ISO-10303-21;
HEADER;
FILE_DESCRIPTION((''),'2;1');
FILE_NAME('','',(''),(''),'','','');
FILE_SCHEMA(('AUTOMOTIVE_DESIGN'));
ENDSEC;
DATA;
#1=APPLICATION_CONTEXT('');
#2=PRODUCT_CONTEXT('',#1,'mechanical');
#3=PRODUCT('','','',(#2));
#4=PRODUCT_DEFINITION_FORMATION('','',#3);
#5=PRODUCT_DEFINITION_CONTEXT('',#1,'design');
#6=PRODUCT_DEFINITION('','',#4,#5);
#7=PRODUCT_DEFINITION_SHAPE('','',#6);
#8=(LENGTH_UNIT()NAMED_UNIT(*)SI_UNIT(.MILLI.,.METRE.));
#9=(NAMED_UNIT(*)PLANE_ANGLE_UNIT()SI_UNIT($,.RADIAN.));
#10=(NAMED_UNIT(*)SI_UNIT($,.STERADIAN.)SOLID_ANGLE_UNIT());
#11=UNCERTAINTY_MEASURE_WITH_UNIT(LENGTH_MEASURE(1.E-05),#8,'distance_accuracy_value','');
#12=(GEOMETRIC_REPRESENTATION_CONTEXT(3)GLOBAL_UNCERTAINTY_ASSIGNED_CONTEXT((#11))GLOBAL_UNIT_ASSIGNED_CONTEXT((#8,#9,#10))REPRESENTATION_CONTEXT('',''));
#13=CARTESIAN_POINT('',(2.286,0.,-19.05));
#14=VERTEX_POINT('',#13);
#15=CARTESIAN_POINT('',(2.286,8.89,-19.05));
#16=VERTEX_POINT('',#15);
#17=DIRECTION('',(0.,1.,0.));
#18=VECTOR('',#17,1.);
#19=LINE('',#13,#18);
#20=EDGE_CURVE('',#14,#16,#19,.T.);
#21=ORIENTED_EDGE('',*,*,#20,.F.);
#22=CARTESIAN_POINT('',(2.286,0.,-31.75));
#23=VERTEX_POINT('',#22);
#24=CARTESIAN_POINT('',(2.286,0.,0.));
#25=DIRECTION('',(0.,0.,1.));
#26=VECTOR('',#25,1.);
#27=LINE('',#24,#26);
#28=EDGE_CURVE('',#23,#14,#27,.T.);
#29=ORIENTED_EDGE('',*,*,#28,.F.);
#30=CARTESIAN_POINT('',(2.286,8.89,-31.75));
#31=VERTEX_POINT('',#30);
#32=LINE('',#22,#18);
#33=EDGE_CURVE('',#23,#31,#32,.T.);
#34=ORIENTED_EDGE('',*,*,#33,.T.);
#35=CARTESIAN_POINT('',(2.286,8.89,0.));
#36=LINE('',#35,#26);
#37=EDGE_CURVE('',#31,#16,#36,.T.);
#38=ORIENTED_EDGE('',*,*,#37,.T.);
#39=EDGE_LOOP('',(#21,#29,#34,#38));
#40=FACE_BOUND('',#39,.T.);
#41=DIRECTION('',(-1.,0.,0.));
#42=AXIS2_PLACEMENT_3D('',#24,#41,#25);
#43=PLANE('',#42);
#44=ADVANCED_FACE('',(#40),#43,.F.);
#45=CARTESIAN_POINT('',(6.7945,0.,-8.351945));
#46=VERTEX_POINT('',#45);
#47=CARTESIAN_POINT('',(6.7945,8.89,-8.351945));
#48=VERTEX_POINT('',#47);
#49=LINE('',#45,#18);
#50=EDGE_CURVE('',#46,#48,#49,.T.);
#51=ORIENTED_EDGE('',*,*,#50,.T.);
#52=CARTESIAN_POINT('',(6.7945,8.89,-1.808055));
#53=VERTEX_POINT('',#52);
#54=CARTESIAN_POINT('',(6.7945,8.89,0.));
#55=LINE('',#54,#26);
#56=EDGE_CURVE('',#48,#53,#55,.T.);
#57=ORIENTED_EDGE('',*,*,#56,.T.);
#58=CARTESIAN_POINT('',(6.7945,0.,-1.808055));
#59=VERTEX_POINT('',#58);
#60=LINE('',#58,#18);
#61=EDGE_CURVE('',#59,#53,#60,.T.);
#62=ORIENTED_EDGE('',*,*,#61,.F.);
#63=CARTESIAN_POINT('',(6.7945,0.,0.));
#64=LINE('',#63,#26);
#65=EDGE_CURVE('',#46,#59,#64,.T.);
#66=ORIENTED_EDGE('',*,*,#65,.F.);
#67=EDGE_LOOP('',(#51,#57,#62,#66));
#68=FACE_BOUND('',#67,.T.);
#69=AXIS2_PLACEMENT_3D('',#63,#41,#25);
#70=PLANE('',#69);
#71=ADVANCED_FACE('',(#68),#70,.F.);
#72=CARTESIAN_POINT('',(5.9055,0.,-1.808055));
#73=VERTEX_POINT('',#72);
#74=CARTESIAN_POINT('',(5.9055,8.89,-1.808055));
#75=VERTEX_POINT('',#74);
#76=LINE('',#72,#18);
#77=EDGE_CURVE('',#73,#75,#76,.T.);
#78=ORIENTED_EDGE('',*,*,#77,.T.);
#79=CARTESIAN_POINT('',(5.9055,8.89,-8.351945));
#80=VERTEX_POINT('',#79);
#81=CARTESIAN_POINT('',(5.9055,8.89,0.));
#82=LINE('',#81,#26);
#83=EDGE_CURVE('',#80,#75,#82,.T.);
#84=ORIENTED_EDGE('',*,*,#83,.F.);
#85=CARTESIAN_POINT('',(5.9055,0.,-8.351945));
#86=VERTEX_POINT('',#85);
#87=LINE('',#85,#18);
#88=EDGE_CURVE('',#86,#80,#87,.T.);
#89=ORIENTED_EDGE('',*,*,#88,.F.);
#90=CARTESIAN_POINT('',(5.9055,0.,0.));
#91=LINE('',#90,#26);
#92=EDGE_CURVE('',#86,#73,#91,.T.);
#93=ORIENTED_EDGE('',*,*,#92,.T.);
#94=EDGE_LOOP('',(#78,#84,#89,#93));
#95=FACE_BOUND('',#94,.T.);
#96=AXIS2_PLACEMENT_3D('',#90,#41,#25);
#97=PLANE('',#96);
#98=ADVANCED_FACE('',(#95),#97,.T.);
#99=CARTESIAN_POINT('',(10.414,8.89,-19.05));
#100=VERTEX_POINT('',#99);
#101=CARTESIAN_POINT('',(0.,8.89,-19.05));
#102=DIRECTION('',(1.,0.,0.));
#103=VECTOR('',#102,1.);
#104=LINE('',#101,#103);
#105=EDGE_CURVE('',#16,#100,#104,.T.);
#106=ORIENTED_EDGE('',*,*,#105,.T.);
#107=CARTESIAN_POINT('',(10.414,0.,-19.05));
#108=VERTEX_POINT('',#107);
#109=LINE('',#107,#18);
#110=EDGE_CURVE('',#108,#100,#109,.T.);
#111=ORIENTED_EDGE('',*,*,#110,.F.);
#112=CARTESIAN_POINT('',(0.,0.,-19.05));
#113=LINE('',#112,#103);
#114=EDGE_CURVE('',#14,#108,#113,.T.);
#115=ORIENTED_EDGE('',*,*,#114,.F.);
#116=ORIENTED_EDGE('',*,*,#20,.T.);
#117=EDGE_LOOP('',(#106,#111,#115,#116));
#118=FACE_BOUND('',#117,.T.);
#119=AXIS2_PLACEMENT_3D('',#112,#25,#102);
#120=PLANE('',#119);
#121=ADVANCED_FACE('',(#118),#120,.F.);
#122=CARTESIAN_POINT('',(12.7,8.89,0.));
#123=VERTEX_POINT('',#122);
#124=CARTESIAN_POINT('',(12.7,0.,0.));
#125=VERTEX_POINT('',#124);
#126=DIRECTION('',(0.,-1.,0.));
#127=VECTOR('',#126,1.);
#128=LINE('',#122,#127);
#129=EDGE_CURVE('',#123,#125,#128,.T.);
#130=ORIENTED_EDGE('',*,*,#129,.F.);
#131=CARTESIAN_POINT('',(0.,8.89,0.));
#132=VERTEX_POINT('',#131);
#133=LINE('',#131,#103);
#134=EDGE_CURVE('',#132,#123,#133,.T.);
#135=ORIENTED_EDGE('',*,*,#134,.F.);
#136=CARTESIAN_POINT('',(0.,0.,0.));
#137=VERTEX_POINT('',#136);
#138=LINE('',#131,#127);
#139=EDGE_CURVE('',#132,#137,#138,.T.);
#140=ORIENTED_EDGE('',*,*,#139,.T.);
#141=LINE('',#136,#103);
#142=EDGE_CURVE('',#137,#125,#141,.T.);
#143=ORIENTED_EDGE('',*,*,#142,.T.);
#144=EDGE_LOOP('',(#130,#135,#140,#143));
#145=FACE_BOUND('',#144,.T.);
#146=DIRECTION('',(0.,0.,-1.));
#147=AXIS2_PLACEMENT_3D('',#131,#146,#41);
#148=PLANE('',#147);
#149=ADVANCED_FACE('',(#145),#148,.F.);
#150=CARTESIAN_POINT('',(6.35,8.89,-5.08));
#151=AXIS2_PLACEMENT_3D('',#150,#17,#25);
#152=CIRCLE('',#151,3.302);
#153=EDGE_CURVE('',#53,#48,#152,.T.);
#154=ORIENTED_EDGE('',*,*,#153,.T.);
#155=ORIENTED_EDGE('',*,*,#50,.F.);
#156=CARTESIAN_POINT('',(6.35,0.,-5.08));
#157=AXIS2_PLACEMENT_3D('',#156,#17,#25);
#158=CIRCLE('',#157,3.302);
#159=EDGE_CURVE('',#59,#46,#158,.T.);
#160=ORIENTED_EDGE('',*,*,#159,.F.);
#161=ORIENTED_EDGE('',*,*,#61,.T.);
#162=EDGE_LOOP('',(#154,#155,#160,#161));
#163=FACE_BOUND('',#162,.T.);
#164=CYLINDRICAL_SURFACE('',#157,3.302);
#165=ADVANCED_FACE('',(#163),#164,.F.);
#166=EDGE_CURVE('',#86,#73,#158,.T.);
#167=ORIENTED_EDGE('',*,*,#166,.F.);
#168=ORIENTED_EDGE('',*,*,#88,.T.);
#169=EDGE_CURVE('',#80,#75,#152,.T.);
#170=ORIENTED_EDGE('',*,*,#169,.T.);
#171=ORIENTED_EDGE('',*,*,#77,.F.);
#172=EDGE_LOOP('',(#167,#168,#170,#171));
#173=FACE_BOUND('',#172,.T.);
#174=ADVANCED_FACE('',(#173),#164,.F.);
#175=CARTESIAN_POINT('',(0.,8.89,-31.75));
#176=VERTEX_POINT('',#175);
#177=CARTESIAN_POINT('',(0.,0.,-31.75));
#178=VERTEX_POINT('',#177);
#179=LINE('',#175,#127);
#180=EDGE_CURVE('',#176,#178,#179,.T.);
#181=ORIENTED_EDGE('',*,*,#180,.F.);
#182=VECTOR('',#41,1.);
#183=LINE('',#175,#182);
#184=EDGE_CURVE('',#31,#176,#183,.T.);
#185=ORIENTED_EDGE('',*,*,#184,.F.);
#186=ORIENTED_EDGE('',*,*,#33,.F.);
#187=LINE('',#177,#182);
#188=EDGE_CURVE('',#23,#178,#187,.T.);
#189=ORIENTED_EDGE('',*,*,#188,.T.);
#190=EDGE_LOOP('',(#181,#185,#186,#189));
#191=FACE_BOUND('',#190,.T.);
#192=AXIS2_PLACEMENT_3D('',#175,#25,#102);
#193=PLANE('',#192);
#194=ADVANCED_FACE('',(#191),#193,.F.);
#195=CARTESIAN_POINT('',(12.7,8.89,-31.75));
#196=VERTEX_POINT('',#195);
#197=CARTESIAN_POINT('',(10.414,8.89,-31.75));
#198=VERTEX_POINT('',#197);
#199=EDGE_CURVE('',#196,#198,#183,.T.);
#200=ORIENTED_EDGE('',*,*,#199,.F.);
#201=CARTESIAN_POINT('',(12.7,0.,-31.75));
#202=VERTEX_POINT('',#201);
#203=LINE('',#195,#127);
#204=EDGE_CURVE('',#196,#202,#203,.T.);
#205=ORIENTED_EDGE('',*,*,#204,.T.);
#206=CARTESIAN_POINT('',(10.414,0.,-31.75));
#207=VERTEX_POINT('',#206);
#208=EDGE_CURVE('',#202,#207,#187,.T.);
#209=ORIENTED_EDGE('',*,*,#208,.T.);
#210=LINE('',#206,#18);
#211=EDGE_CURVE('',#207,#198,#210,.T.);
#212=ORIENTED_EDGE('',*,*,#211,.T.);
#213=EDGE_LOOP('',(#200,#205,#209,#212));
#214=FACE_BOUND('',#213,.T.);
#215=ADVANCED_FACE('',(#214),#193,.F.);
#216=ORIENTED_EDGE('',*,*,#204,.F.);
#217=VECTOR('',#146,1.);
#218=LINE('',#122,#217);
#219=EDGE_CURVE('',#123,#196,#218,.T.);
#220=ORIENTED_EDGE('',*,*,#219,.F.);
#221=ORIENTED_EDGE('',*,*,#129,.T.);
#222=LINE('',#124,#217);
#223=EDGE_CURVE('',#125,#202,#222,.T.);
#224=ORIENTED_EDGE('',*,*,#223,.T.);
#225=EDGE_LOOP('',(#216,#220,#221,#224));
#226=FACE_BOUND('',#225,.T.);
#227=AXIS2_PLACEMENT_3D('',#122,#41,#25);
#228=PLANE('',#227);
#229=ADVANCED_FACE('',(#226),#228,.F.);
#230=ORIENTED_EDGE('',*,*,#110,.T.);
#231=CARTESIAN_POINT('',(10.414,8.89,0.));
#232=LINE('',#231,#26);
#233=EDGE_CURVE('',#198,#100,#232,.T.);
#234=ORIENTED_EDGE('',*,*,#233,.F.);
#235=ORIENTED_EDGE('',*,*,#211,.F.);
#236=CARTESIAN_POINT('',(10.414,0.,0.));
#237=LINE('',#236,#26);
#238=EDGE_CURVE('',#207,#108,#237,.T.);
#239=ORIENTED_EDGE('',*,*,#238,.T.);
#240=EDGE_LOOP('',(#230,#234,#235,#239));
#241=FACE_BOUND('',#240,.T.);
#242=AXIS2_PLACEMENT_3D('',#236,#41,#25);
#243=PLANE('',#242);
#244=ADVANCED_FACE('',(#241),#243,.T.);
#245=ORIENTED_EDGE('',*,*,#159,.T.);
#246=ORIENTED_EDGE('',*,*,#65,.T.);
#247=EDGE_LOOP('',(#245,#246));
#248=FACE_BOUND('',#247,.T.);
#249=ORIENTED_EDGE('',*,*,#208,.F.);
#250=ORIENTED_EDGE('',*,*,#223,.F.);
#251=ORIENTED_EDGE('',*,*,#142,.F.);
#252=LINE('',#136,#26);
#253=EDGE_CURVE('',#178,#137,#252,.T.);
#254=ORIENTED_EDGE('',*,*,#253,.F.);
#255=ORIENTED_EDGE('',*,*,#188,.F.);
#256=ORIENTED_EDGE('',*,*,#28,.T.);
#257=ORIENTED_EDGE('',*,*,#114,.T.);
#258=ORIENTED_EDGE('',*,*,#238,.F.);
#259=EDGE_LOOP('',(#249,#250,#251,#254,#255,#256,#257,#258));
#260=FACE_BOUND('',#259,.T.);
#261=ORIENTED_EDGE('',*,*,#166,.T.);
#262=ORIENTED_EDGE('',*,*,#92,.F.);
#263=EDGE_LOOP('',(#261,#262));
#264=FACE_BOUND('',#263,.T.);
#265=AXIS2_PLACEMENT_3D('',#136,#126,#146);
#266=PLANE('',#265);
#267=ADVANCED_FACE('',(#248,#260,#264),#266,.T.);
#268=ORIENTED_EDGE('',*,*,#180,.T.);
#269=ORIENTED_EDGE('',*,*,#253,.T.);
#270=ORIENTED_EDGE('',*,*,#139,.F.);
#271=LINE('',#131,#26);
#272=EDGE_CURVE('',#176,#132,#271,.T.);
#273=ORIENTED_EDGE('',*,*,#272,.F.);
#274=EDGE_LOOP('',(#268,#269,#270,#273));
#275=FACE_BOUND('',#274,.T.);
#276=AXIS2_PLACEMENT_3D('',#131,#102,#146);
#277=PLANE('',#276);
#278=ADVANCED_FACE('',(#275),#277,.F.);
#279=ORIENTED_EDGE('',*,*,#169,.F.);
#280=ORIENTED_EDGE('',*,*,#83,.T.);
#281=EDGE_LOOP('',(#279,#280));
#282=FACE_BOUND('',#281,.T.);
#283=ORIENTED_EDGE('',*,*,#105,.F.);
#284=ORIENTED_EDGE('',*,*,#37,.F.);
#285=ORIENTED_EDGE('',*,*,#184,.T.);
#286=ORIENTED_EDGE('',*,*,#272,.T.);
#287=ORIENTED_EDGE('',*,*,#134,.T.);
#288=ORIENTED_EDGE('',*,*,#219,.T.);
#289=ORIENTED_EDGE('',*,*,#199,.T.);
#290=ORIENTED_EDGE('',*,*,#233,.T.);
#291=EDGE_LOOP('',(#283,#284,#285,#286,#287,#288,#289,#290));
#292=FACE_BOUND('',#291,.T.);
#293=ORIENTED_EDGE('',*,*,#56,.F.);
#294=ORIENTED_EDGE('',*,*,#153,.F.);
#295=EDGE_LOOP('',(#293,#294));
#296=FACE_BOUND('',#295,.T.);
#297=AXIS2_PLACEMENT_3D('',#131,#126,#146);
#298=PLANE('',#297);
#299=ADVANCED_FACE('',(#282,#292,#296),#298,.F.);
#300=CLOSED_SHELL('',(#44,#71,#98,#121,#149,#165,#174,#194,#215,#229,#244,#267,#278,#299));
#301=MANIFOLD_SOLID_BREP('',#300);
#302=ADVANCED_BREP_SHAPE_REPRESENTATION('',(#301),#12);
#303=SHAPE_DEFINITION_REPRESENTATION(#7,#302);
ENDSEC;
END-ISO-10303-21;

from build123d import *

# Parameters (mm, degrees)
SKETCH1_W           = 12.7
SKETCH1_H           = 31.75
BOSS_EXTRUDE1_DEPTH = 8.89
SKETCH2_W           = 8.128
SKETCH2_H           = 12.7
CUT_EXTRUDE1_DEPTH  = 8.89


with BuildPart() as part:
    # Sketch1 → Boss-Extrude1 (new body)
    with BuildSketch(Plane(origin=(0, 0, 0), x_dir=(1, 0, 0), z_dir=(0, 1, 0))):
        with Locations((6.35, 15.875)):
            Rectangle(SKETCH1_W, SKETCH1_H)
    extrude(amount=BOSS_EXTRUDE1_DEPTH)

    # Sketch2 → Cut-Extrude1 (cut)
    with BuildSketch(Plane(origin=(0, 8.89, 0), x_dir=(1, 0, 0), z_dir=(0, 1, 0))):
        with Locations((6.35, 25.4)):
            Rectangle(SKETCH2_W, SKETCH2_H)
        with BuildLine():
            ThreePointArc((9.652, 5.08), (8.837060816, 7.252034185), (6.7945, 8.351944949))
            Line((6.7945, 8.351944949), (6.7945, 1.808055051))
            ThreePointArc((6.7945, 1.808055051), (8.837060816, 2.907965815), (9.652, 5.08))
        make_face()
        with BuildLine():
            Line((5.9055, 1.808055051), (5.9055, 8.351944949))
            ThreePointArc((5.9055, 8.351944949), (3.048, 5.08), (5.9055, 1.808055051))
        make_face()
    extrude(amount=-CUT_EXTRUDE1_DEPTH, mode=Mode.SUBTRACT)


solid = part.part
